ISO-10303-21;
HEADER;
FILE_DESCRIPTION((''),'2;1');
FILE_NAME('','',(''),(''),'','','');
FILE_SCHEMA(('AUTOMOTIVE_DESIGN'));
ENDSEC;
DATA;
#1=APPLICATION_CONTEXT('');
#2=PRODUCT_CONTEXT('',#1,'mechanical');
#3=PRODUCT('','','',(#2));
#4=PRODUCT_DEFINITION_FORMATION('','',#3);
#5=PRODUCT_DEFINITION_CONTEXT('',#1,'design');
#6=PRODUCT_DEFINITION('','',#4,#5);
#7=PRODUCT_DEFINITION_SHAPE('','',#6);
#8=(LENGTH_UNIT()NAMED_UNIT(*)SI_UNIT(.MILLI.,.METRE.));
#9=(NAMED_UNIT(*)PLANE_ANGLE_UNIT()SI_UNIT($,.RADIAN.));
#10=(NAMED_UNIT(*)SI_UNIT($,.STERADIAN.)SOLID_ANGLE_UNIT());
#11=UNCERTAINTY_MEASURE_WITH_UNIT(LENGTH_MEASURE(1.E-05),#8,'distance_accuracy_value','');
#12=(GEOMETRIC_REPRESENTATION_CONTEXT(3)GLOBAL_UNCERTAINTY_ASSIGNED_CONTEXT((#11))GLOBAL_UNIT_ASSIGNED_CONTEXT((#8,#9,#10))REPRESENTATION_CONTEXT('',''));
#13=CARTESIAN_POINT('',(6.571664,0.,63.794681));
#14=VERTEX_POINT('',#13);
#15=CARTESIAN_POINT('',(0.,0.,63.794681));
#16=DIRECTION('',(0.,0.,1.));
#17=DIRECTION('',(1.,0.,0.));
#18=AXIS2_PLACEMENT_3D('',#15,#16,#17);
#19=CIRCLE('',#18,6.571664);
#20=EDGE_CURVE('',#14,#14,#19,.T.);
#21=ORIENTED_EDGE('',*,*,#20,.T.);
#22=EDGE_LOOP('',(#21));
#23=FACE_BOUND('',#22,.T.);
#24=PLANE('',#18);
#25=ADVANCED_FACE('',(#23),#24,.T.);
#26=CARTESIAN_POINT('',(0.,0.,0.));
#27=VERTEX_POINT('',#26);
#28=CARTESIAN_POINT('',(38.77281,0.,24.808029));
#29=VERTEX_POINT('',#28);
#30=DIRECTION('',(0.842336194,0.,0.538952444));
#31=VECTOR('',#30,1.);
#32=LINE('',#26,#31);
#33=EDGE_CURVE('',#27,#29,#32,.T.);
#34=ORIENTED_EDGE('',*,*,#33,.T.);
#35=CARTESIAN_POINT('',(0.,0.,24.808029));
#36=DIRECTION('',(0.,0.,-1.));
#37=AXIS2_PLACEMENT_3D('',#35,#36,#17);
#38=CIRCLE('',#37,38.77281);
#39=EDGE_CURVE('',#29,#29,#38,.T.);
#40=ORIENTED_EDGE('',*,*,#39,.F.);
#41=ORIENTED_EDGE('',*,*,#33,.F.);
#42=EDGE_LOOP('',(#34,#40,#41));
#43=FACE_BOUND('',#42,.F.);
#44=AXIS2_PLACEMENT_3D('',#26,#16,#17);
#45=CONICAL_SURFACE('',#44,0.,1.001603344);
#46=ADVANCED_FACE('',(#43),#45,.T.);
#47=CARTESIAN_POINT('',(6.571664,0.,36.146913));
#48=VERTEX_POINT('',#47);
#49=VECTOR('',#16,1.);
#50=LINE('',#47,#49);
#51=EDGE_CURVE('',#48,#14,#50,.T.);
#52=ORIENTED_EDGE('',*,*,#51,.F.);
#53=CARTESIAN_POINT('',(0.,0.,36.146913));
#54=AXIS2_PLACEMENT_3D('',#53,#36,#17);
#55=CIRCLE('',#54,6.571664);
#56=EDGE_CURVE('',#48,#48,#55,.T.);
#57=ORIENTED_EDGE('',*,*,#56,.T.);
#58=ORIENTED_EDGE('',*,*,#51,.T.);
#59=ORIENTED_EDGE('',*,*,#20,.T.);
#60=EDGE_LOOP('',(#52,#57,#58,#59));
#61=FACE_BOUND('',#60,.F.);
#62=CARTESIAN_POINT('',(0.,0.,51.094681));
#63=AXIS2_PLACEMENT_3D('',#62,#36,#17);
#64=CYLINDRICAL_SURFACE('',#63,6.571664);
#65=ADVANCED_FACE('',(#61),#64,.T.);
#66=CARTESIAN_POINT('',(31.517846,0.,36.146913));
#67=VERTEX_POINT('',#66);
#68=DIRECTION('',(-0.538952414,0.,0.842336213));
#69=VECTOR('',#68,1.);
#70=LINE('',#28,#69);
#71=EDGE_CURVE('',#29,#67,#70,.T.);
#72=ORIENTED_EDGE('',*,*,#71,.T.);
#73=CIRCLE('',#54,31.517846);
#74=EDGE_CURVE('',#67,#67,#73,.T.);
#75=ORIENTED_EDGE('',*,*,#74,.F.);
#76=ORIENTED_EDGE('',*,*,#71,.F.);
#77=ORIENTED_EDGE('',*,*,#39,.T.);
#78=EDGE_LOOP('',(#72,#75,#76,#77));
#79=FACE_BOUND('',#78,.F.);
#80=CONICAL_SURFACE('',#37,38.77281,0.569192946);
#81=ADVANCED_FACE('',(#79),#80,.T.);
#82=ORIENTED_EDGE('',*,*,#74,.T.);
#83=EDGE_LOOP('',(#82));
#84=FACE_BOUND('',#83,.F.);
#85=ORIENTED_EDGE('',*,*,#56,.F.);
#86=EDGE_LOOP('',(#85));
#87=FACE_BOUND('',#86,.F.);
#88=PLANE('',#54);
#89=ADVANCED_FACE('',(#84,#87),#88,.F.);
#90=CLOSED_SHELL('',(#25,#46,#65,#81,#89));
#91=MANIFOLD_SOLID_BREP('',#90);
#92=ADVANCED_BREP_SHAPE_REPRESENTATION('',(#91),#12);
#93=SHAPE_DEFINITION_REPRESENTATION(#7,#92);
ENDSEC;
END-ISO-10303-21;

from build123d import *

# Parameters (mm, degrees)
F1_FACE_R = 6.571664
F2_DEPTH  = 12.7


with BuildPart() as f1:
    # F0 (on Front) → F1 (revolve)
    with BuildSketch(Plane.XZ):
        Polygon((0, 51.094681), (0, 0), (38.77281, 24.808029), (31.517846, 36.146913), (6.571664, 36.146913), (6.571664, 51.094681), align=None)
    revolve(axis=Axis((0, 0, 25.547341), (0, 0, -1)))

    # F1_face (on face) → F2 (join)
    with BuildSketch(Plane.XY.offset(51.094681)):
        Circle(F1_FACE_R)
    extrude(amount=F2_DEPTH)


solid = f1.part
